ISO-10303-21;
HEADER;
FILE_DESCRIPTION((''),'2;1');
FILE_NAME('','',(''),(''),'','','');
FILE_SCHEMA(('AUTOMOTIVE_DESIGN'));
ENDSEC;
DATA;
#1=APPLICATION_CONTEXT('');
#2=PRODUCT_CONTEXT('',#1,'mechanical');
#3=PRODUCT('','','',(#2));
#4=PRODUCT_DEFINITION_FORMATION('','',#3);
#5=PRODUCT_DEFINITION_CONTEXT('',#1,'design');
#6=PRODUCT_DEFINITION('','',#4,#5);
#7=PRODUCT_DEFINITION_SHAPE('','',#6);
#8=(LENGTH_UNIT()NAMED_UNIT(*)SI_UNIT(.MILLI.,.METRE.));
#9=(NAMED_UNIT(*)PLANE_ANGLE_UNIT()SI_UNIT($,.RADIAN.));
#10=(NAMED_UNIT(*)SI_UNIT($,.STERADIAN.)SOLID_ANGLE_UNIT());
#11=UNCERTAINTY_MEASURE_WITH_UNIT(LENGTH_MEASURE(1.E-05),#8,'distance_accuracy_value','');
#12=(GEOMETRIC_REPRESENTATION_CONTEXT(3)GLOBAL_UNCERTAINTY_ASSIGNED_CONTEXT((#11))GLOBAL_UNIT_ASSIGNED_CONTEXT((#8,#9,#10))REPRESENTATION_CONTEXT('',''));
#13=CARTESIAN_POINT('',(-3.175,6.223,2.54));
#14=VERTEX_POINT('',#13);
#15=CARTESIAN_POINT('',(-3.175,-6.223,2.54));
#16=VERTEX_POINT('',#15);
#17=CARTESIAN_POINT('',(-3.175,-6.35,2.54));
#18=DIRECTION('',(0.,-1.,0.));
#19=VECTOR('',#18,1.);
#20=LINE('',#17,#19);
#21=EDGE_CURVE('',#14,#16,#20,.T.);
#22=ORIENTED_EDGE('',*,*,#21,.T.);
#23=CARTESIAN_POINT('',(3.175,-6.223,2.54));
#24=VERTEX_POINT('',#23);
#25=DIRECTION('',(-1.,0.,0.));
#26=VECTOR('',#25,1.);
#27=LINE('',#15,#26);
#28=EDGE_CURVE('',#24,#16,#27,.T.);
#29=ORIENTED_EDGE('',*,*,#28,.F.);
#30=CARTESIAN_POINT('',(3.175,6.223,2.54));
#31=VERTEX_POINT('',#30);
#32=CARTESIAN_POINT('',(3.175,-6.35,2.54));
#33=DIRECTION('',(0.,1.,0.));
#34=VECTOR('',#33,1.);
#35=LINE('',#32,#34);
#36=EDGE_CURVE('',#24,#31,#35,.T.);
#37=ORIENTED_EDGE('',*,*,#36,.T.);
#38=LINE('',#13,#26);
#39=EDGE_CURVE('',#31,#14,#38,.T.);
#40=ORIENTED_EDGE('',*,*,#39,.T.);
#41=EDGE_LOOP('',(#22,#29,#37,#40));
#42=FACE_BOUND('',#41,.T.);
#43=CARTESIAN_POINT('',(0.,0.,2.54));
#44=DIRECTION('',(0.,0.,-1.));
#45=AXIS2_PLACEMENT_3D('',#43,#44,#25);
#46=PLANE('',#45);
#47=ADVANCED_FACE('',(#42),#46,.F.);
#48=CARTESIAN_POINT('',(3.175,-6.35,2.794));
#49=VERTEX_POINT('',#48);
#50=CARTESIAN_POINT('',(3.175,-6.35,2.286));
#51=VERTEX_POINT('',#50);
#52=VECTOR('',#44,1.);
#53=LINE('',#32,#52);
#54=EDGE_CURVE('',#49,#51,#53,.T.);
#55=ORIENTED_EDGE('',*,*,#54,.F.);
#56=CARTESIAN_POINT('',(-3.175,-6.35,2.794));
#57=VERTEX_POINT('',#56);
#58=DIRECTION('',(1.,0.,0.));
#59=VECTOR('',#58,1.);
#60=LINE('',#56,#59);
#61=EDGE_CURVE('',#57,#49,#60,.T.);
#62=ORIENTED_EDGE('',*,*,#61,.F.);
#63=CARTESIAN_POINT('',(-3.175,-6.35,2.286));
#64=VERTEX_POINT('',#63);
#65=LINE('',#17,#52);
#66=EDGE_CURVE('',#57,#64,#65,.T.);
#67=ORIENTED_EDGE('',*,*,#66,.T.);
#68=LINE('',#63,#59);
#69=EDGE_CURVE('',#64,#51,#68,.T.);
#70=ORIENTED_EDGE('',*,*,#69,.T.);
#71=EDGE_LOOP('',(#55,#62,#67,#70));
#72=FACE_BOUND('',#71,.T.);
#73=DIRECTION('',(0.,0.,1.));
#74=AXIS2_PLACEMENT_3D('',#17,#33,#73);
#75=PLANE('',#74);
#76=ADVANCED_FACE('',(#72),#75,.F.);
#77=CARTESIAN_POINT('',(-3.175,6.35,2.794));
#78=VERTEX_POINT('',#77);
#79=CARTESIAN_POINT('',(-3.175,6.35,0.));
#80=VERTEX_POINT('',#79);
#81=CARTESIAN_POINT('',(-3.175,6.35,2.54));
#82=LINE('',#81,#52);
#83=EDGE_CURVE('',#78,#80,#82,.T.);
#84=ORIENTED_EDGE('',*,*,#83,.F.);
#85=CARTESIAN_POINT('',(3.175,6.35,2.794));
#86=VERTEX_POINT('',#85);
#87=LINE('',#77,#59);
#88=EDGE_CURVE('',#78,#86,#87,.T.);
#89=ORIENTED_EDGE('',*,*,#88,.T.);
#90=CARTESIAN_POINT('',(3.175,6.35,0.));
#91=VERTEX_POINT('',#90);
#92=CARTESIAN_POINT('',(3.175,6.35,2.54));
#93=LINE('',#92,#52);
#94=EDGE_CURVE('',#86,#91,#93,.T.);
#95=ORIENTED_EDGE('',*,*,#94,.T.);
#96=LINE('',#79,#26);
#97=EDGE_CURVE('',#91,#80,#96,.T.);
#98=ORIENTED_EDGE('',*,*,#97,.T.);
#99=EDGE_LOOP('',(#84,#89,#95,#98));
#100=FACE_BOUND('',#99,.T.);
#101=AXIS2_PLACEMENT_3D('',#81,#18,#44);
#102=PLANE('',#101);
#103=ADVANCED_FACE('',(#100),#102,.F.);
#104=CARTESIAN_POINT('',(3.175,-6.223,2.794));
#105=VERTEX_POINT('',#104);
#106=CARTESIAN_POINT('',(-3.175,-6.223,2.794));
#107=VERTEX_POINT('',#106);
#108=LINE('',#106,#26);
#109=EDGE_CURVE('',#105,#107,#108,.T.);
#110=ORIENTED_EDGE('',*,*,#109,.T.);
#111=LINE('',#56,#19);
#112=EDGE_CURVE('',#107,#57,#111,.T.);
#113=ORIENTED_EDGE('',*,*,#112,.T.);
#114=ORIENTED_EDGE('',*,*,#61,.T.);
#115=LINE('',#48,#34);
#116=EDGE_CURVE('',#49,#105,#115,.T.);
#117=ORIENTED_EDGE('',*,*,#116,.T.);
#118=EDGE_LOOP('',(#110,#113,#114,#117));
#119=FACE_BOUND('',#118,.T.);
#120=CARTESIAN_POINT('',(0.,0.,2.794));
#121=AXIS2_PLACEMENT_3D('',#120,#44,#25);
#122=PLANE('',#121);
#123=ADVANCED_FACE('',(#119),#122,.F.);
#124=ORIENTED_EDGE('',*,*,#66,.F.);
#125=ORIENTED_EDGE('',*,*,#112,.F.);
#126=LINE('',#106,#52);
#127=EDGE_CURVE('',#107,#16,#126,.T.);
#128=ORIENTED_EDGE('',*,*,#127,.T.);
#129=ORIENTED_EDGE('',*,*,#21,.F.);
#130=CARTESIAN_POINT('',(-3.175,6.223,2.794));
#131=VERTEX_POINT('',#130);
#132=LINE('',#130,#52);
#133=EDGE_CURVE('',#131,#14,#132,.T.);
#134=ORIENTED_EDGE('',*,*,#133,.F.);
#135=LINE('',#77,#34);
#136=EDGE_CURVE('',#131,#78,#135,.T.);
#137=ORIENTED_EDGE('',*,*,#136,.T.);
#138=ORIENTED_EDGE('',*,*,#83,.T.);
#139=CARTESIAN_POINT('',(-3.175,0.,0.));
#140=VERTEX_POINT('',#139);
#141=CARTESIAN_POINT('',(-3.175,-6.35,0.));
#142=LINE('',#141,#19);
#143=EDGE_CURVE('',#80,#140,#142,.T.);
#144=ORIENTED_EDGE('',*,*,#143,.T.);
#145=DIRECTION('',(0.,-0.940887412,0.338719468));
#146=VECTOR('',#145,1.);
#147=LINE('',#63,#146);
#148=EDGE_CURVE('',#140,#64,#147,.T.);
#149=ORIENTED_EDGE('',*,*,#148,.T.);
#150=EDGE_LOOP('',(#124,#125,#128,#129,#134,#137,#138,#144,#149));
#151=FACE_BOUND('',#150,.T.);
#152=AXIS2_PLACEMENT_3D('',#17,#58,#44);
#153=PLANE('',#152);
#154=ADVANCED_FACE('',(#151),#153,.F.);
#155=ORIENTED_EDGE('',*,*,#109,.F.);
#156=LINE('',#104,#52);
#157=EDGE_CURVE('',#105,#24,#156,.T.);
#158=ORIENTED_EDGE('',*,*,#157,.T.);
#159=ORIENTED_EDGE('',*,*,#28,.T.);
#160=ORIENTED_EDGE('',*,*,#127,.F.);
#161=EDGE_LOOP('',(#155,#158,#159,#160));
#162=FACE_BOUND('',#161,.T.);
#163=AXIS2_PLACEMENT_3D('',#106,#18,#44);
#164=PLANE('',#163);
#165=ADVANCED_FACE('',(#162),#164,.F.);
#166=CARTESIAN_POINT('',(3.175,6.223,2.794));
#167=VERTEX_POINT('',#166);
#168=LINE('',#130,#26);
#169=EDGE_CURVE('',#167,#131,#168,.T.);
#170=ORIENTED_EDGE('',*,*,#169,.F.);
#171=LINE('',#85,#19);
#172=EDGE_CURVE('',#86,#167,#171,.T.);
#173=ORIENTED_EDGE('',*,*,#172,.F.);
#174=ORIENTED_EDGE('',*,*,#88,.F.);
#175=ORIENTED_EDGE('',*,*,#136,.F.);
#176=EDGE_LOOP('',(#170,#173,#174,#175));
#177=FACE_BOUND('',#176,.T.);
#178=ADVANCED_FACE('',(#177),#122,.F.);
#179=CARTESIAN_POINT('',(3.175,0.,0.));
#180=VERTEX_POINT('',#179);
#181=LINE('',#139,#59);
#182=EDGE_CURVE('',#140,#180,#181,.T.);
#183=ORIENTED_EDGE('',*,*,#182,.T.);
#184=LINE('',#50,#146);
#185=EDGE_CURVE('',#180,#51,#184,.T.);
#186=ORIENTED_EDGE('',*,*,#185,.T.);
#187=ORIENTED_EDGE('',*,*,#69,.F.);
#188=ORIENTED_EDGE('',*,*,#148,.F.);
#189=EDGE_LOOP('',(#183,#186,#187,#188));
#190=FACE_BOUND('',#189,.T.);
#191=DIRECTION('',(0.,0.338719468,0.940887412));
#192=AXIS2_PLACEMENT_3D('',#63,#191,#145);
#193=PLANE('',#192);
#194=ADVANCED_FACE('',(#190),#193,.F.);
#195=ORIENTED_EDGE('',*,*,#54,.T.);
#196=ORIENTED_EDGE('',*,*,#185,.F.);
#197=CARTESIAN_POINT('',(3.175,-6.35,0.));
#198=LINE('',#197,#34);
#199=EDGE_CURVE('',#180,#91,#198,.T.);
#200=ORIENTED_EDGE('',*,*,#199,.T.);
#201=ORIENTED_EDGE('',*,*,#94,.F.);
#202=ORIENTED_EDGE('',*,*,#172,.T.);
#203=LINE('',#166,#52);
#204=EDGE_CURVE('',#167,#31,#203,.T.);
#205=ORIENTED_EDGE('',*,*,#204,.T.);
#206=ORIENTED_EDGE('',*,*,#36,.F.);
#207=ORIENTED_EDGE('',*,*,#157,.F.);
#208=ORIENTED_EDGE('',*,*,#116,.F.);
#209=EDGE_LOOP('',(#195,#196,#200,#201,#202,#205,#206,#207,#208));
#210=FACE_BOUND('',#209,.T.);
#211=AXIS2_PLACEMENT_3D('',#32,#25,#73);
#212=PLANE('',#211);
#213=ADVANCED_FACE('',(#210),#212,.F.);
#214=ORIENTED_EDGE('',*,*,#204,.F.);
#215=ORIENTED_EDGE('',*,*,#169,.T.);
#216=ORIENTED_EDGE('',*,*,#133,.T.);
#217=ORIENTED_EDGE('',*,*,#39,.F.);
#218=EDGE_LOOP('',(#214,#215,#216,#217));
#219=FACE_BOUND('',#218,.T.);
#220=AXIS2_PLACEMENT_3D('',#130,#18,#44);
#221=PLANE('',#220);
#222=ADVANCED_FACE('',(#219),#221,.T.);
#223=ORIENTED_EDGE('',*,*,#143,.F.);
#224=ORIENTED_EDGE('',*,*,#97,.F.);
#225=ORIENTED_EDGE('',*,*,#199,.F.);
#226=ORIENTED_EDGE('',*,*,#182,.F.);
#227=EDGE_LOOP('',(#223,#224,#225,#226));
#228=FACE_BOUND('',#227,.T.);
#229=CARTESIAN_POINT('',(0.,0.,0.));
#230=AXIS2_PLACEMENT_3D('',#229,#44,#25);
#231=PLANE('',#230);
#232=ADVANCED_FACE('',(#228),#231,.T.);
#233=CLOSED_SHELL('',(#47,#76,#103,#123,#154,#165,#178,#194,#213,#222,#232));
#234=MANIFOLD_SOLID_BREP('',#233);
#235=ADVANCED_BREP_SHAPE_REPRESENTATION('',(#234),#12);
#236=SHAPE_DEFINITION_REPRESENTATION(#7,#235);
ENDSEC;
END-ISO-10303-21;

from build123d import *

# Parameters (mm, degrees)
SKETCH1_W           = 6.35
SKETCH1_H           = 12.7
BOSS_EXTRUDE1_DEPTH = 2.54
SKETCH2_W           = 6.35
SKETCH2_H           = 0.127
BOSS_EXTRUDE2_DEPTH = 0.254
CUT_EXTRUDE1_DEPTH  = 10.404862359


with BuildPart() as part:
    # Sketch1 → Boss-Extrude1 (new body)
    with BuildSketch(Plane.XY):
        Rectangle(SKETCH1_W, SKETCH1_H)
    extrude(amount=BOSS_EXTRUDE1_DEPTH)

    # Sketch2 → Boss-Extrude2 (add)
    with BuildSketch(Plane.XY.offset(2.54)):
        with Locations((0, -6.2865)):
            Rectangle(SKETCH2_W, SKETCH2_H)
    boss_extrude2 = extrude(amount=BOSS_EXTRUDE2_DEPTH)

    # Mirror1: Boss-Extrude2 across plane
    add(boss_extrude2.mirror(Plane.ZX))

    # Sketch3 → Cut-Extrude1 (cut, through all)
    with BuildSketch(Plane(origin=(3.175, 0, 0), x_dir=(0, 0, -1), z_dir=(1, 0, 0))):
        Polygon((0, -6.35), (-2.286, -6.35), (0, 0), align=None)
    extrude(amount=-CUT_EXTRUDE1_DEPTH, mode=Mode.SUBTRACT)


solid = part.part
